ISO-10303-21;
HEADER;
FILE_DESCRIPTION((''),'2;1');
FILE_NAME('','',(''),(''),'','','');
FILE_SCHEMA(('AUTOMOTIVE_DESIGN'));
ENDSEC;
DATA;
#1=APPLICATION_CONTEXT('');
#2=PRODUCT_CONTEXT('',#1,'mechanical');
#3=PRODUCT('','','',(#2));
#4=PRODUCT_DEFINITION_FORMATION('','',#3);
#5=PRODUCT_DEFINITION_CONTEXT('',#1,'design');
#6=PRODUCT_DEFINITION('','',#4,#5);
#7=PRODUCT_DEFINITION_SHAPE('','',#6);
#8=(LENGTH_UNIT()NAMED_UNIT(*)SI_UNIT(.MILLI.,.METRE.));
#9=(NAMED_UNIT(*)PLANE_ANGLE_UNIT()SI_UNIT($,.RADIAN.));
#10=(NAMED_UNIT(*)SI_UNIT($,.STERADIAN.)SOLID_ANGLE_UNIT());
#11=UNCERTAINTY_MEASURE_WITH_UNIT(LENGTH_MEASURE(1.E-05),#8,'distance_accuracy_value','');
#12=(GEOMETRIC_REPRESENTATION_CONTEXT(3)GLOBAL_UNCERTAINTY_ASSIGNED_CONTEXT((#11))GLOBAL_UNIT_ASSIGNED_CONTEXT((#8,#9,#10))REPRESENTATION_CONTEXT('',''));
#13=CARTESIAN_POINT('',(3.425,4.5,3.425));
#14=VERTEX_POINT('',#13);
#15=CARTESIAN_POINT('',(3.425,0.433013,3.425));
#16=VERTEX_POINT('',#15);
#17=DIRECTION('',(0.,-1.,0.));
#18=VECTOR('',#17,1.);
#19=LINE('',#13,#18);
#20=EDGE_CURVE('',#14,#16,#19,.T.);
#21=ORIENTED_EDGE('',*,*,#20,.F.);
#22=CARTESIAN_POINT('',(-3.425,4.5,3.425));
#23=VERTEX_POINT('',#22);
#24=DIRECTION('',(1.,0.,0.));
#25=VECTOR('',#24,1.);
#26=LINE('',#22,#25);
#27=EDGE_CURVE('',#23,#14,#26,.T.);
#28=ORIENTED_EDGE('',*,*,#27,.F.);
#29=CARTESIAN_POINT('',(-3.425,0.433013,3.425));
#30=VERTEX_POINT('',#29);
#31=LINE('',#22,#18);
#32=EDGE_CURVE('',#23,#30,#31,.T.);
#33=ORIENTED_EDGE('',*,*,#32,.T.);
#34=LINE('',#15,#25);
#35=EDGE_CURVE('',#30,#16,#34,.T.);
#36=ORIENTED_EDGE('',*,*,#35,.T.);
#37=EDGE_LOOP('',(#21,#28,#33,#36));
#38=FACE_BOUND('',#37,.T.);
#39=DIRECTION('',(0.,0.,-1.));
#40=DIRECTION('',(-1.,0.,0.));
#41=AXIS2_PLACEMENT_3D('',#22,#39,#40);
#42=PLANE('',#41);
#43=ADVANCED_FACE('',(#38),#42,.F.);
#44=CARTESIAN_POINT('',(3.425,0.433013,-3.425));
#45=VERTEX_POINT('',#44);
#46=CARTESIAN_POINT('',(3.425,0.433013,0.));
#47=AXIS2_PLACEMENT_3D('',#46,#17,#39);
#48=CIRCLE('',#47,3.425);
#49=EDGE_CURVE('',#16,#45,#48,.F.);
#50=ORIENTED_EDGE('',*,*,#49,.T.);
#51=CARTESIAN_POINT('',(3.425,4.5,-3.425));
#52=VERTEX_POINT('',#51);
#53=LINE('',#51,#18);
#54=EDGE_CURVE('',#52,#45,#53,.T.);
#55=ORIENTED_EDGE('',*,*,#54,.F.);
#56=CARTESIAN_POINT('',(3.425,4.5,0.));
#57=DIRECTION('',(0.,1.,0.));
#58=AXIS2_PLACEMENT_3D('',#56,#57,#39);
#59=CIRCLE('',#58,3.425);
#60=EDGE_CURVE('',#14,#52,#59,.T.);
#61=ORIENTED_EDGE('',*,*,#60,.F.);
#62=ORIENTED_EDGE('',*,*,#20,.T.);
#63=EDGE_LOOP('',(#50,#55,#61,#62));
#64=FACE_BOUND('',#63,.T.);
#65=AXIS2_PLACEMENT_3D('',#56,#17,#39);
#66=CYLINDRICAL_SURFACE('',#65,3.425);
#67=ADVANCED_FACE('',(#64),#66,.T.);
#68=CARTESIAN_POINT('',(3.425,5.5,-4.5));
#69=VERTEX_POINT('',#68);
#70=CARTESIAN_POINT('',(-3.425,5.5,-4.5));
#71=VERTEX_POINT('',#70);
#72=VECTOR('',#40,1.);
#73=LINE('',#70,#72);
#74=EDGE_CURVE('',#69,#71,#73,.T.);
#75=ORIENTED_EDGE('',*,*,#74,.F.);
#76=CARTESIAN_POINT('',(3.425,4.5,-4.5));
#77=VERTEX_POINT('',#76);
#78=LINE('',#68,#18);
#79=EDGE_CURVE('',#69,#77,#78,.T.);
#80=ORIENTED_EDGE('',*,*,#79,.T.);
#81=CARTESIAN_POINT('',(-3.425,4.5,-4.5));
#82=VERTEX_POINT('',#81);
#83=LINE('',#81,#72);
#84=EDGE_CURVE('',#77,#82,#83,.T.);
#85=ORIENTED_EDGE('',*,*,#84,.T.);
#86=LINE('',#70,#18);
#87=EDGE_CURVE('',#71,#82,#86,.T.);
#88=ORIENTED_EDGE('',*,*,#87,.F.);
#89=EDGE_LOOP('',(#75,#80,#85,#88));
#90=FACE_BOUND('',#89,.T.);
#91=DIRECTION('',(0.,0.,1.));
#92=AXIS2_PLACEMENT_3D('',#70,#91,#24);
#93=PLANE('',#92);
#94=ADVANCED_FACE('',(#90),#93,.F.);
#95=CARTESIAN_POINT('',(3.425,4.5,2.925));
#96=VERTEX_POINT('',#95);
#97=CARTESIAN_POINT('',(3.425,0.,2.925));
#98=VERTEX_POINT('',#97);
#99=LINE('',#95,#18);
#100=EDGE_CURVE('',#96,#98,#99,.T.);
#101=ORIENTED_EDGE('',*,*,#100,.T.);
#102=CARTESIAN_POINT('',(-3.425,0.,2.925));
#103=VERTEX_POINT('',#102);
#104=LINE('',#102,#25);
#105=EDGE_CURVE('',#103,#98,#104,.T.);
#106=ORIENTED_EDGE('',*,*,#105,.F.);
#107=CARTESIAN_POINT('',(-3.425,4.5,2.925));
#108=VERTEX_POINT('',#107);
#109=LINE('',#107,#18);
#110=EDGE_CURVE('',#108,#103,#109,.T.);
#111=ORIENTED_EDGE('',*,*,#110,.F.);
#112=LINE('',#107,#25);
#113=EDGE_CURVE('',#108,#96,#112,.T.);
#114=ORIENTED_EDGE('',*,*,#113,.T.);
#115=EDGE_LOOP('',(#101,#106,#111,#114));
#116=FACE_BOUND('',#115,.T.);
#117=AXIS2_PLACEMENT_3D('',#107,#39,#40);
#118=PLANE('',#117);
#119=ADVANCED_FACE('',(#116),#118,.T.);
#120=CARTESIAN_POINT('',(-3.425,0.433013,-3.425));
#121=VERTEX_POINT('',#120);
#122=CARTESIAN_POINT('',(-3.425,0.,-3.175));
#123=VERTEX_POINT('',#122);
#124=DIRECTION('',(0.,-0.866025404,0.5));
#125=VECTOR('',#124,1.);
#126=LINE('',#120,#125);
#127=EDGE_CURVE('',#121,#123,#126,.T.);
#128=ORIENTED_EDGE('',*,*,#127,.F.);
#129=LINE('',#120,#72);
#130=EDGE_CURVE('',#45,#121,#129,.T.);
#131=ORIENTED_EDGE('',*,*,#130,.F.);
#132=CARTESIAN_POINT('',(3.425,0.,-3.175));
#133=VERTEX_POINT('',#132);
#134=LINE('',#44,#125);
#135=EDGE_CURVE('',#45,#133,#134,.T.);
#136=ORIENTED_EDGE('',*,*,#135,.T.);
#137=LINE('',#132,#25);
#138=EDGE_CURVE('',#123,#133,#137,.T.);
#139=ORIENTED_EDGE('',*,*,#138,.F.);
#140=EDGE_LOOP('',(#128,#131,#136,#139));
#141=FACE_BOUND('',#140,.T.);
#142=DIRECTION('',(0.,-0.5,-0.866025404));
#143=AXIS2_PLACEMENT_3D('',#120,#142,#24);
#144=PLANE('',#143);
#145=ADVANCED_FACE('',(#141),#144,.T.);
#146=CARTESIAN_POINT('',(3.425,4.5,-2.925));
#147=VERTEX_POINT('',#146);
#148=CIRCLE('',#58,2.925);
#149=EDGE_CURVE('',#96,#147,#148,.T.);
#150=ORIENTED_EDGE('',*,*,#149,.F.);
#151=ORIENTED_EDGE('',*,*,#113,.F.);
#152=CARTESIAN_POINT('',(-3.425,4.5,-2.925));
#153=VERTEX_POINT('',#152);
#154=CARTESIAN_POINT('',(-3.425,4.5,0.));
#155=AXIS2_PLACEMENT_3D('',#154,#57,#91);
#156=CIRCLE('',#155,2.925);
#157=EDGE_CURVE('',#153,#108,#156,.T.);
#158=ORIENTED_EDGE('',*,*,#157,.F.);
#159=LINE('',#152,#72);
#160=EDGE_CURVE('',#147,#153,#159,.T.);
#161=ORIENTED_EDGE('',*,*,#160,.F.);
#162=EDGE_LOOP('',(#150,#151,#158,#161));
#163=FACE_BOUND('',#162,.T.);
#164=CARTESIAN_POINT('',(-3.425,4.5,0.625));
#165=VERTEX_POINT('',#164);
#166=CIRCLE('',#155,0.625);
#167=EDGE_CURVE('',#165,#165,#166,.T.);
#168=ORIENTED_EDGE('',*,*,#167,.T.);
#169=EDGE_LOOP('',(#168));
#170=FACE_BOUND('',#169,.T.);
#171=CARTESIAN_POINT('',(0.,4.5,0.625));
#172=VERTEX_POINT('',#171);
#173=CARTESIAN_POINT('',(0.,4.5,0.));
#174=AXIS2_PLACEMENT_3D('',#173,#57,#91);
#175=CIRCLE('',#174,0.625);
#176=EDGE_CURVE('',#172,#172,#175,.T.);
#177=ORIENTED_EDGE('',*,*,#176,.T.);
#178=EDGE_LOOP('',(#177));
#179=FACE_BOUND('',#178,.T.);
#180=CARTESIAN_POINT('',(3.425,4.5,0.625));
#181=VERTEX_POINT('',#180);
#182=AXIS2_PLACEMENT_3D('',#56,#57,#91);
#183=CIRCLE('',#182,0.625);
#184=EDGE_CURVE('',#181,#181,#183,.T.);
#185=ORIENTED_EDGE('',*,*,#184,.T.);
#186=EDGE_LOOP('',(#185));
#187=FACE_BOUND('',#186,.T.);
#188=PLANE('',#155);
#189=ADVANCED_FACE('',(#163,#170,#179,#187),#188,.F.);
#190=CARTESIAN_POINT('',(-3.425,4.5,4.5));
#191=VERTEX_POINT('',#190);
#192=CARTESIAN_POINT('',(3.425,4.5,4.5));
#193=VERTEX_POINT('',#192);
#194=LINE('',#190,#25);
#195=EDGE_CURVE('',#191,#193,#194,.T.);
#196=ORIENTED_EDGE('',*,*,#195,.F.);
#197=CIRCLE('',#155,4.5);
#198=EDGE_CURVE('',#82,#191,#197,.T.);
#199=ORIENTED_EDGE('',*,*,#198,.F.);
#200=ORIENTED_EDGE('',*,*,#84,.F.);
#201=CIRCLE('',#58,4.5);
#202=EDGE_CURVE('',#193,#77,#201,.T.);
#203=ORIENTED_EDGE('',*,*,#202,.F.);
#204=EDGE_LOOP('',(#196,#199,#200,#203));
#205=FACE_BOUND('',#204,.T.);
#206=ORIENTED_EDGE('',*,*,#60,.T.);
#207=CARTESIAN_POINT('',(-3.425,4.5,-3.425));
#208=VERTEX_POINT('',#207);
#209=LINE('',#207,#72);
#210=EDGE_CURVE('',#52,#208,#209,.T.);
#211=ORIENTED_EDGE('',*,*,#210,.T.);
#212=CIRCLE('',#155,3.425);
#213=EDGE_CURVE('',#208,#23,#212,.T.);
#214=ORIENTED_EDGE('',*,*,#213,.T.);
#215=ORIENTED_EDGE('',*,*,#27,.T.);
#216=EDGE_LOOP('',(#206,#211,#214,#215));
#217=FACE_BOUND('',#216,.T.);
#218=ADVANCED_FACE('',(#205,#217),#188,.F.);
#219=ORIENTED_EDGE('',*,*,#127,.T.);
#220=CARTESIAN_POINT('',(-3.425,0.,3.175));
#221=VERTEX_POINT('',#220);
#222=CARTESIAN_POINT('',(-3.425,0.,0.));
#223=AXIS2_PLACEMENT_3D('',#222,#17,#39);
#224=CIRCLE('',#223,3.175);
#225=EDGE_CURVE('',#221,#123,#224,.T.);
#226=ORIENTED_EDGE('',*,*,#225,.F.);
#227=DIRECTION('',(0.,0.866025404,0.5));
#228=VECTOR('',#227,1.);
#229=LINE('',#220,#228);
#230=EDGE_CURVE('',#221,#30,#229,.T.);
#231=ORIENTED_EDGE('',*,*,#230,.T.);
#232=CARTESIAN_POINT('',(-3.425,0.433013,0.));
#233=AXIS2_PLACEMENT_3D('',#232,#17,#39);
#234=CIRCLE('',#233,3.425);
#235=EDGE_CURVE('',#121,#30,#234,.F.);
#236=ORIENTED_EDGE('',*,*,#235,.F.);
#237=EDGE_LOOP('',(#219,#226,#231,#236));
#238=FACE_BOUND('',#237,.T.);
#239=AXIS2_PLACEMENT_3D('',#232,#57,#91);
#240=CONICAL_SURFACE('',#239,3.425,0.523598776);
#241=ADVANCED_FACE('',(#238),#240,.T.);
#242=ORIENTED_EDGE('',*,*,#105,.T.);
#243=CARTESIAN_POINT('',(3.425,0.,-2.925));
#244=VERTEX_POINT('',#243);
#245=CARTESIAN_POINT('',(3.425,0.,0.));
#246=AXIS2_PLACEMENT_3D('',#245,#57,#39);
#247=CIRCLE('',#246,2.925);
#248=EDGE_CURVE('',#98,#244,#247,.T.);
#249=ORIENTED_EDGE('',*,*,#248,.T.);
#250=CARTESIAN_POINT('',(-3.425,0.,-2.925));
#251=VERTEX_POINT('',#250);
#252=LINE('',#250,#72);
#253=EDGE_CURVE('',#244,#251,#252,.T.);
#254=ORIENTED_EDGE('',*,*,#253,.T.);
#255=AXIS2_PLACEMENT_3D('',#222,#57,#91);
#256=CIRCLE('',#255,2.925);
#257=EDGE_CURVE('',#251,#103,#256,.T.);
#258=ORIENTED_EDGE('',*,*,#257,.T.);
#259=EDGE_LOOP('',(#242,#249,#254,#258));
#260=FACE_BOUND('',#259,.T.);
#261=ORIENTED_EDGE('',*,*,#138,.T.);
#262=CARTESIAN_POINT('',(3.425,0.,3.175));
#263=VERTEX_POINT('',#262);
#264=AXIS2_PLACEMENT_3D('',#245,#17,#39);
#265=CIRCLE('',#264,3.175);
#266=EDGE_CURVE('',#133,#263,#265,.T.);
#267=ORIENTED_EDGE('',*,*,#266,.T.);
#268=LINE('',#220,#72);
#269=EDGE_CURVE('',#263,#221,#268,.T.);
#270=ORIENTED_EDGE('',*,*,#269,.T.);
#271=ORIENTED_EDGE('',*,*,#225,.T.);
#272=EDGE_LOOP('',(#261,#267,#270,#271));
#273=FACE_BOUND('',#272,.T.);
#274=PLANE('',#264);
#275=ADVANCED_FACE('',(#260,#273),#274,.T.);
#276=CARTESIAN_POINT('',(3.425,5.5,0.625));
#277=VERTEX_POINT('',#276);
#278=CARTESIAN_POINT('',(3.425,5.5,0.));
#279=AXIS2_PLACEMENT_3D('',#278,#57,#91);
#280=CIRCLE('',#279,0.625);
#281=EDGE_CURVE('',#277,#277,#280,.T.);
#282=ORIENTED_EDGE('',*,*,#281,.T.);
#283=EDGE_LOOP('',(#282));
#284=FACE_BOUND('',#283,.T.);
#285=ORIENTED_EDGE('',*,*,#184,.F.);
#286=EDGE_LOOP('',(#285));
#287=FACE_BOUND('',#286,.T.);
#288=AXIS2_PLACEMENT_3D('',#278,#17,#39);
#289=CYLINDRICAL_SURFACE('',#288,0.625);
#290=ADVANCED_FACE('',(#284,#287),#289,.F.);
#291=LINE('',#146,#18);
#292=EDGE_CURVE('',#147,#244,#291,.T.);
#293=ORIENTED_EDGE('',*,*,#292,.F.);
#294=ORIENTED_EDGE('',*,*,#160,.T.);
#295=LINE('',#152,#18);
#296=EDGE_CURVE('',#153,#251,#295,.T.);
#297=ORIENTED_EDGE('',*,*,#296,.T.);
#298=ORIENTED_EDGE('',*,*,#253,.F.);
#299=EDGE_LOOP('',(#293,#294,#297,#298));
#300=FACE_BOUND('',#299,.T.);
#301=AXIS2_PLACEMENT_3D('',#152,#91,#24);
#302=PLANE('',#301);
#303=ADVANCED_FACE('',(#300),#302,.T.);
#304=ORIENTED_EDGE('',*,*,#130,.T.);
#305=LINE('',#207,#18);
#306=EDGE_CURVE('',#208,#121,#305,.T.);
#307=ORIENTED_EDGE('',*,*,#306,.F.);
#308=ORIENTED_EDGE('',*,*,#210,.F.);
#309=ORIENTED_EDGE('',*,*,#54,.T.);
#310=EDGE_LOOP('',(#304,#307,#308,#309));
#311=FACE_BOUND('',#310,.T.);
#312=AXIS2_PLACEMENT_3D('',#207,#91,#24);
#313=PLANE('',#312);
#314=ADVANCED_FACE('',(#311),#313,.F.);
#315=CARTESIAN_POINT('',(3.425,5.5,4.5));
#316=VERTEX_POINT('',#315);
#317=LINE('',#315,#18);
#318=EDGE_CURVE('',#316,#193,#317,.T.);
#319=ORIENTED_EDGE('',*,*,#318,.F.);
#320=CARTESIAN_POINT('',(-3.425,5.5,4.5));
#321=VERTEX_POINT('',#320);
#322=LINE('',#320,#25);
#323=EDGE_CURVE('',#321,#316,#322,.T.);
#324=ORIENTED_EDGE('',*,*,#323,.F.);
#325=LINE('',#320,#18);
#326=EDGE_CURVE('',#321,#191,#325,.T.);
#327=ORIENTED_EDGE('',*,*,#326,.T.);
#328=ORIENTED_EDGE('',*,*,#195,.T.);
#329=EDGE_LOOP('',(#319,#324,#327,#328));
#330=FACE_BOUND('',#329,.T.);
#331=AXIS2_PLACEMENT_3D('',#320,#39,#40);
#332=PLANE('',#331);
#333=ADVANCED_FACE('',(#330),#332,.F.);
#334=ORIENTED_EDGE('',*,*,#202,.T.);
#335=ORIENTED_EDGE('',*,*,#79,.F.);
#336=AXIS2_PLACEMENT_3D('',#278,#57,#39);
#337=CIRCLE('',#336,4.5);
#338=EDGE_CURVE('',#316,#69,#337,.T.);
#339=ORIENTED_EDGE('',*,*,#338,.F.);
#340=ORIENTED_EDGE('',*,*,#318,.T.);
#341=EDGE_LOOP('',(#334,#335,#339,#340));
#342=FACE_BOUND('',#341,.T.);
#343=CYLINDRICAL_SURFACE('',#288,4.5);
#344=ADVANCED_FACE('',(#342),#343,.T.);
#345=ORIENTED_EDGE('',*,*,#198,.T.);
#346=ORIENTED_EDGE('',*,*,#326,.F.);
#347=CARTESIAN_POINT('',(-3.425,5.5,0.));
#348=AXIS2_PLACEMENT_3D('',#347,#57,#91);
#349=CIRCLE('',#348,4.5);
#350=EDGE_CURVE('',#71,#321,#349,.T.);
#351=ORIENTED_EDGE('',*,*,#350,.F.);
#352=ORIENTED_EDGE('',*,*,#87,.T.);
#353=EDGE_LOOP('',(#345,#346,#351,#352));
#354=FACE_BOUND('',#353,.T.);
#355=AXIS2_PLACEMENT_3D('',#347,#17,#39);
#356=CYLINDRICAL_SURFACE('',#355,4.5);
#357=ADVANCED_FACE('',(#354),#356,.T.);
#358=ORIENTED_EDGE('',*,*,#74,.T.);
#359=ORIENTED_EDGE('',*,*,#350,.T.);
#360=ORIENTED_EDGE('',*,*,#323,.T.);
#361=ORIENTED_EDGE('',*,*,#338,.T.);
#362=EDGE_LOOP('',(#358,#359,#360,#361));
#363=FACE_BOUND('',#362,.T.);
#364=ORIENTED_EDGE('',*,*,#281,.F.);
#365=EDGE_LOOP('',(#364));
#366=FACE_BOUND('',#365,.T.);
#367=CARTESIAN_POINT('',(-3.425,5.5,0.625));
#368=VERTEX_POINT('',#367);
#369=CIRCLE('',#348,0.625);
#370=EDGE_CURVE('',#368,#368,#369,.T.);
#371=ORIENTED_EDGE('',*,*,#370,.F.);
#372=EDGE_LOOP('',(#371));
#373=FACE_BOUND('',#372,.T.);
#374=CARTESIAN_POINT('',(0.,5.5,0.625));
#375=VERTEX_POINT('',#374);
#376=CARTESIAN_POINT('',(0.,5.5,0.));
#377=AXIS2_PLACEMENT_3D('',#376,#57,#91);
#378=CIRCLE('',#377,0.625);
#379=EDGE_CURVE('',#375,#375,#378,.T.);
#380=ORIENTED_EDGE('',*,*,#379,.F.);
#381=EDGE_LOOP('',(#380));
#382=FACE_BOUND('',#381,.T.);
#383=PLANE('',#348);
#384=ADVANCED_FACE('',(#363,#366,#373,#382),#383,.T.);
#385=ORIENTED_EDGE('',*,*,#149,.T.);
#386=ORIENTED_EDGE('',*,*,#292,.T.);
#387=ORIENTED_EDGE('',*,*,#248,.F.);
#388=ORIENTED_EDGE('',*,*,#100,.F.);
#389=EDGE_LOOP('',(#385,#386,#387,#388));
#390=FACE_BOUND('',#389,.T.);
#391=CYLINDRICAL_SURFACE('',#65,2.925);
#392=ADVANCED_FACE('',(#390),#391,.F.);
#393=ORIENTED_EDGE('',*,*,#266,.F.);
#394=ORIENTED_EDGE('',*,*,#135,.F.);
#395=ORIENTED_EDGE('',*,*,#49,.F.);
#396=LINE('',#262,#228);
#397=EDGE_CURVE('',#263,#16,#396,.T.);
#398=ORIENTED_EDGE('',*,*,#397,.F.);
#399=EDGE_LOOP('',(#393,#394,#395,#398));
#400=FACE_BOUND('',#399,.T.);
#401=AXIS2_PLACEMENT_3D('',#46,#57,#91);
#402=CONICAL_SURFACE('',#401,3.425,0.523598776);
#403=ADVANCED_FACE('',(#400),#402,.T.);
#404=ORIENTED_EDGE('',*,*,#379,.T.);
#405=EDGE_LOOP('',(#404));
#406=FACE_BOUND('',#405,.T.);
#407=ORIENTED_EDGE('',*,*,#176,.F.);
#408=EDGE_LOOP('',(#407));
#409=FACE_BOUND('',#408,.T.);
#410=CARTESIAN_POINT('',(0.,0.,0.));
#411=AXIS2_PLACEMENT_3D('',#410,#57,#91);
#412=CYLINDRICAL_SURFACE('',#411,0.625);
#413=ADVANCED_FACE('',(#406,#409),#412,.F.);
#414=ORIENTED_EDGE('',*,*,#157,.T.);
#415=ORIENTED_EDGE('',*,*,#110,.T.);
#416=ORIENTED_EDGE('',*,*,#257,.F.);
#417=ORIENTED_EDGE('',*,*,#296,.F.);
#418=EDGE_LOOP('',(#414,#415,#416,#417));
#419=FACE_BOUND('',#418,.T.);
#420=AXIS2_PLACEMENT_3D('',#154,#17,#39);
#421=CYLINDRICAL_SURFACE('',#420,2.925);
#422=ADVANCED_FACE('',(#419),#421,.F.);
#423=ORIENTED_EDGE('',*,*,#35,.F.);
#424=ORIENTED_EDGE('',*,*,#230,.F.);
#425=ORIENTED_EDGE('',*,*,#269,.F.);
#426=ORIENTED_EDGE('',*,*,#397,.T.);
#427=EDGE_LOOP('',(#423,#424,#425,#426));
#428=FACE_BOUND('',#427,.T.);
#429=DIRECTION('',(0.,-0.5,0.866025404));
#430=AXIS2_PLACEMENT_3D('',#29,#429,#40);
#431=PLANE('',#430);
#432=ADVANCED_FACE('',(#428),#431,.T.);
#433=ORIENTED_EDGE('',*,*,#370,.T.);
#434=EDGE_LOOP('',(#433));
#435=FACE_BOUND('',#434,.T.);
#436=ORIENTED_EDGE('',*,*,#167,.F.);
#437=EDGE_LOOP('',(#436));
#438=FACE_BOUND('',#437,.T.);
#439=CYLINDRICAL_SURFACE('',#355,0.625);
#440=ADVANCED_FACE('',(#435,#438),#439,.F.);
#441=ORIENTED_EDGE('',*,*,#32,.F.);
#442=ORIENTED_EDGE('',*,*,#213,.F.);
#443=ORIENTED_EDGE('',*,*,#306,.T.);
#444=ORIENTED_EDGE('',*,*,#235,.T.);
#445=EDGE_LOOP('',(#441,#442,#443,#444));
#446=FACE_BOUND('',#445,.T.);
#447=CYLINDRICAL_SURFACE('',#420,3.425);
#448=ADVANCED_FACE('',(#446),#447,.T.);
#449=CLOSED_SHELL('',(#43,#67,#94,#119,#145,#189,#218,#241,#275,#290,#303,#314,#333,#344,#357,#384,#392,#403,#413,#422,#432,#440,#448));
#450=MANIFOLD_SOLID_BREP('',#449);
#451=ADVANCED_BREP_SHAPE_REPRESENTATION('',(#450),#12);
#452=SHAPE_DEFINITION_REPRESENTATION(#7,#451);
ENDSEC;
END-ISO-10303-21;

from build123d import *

# Parameters (mm, degrees)
BOSS_EXTRUDE1_DEPTH     = 4.5
SKETCH2_R               = 0.625
BOSS_EXTRUDE2_DEPTH     = 1
CHAMFER2_SIZE           = 0.25
CHAMFER2_SIZE2          = 0.433012702
SKETCH3_R               = 0.625
CUT_EXTRUDE1_DEPTH      = 1
CUT_EXTRUDE1_DEPTH_BACK = 6.5


with BuildPart() as part:
    # Sketch1 → Boss-Extrude1 (new body)
    with BuildSketch(Plane(origin=(0, 0, 0), x_dir=(1, 0, 0), z_dir=(0, 1, 0))):
        with BuildLine():
            Line((-3.425, 3.425), (3.425, 3.425))
            ThreePointArc((3.425, 3.425), (6.85, 0), (3.425, -3.425))
            Line((3.425, -3.425), (-3.425, -3.425))
            ThreePointArc((-3.425, -3.425), (-6.85, 0), (-3.425, 3.425))
        make_face()
        with BuildLine():
            Line((-3.425, 2.925), (3.425, 2.925))
            ThreePointArc((3.425, 2.925), (6.35, 0), (3.425, -2.925))
            Line((3.425, -2.925), (-3.425, -2.925))
            ThreePointArc((-3.425, -2.925), (-6.35, 0), (-3.425, 2.925))
        make_face(mode=Mode.SUBTRACT)
    extrude(amount=BOSS_EXTRUDE1_DEPTH)

    # Sketch2 → Boss-Extrude2 (add)
    with BuildSketch(Plane(origin=(0, 4.5, 0), x_dir=(1, 0, 0), z_dir=(0, 1, 0))):
        with BuildLine():
            Line((-3.425, 4.5), (3.425, 4.5))
            ThreePointArc((3.425, 4.5), (7.925, 0), (3.425, -4.5))
            Line((3.425, -4.5), (-3.425, -4.5))
            ThreePointArc((-3.425, -4.5), (-7.925, 0), (-3.425, 4.5))
        make_face()
        with Locations((-3.425, 0)):
            Circle(SKETCH2_R, mode=Mode.SUBTRACT)
        with Locations((3.425, 0)):
            Circle(SKETCH2_R, mode=Mode.SUBTRACT)
    extrude(amount=BOSS_EXTRUDE2_DEPTH)

    # Chamfer2
    chamfer2_edges = [part.edges().sort_by_distance(p)[0] for p in [
        (0, 0, 3.425),
        (-6.85, 0, 0),
        (0, 0, -3.425),
        (6.85, 0, 0),
    ]]
    chamfer2_side = [part.faces().sort_by_distance(p)[0] for p in [
        (0, 0, -3.271829344),
    ]]
    chamfer(chamfer2_edges, length=CHAMFER2_SIZE, length2=CHAMFER2_SIZE2, reference=chamfer2_side[0])

    # Sketch3 → Cut-Extrude1 (cut, two sides)
    with BuildSketch(Plane(origin=(0, 5.5, 0), x_dir=(1, 0, 0), z_dir=(0, 1, 0))) as cut_extrude1_sk:
        Circle(SKETCH3_R)
    extrude(amount=CUT_EXTRUDE1_DEPTH, mode=Mode.SUBTRACT)
    extrude(cut_extrude1_sk.sketch, amount=-CUT_EXTRUDE1_DEPTH_BACK, mode=Mode.SUBTRACT)


solid = part.part
